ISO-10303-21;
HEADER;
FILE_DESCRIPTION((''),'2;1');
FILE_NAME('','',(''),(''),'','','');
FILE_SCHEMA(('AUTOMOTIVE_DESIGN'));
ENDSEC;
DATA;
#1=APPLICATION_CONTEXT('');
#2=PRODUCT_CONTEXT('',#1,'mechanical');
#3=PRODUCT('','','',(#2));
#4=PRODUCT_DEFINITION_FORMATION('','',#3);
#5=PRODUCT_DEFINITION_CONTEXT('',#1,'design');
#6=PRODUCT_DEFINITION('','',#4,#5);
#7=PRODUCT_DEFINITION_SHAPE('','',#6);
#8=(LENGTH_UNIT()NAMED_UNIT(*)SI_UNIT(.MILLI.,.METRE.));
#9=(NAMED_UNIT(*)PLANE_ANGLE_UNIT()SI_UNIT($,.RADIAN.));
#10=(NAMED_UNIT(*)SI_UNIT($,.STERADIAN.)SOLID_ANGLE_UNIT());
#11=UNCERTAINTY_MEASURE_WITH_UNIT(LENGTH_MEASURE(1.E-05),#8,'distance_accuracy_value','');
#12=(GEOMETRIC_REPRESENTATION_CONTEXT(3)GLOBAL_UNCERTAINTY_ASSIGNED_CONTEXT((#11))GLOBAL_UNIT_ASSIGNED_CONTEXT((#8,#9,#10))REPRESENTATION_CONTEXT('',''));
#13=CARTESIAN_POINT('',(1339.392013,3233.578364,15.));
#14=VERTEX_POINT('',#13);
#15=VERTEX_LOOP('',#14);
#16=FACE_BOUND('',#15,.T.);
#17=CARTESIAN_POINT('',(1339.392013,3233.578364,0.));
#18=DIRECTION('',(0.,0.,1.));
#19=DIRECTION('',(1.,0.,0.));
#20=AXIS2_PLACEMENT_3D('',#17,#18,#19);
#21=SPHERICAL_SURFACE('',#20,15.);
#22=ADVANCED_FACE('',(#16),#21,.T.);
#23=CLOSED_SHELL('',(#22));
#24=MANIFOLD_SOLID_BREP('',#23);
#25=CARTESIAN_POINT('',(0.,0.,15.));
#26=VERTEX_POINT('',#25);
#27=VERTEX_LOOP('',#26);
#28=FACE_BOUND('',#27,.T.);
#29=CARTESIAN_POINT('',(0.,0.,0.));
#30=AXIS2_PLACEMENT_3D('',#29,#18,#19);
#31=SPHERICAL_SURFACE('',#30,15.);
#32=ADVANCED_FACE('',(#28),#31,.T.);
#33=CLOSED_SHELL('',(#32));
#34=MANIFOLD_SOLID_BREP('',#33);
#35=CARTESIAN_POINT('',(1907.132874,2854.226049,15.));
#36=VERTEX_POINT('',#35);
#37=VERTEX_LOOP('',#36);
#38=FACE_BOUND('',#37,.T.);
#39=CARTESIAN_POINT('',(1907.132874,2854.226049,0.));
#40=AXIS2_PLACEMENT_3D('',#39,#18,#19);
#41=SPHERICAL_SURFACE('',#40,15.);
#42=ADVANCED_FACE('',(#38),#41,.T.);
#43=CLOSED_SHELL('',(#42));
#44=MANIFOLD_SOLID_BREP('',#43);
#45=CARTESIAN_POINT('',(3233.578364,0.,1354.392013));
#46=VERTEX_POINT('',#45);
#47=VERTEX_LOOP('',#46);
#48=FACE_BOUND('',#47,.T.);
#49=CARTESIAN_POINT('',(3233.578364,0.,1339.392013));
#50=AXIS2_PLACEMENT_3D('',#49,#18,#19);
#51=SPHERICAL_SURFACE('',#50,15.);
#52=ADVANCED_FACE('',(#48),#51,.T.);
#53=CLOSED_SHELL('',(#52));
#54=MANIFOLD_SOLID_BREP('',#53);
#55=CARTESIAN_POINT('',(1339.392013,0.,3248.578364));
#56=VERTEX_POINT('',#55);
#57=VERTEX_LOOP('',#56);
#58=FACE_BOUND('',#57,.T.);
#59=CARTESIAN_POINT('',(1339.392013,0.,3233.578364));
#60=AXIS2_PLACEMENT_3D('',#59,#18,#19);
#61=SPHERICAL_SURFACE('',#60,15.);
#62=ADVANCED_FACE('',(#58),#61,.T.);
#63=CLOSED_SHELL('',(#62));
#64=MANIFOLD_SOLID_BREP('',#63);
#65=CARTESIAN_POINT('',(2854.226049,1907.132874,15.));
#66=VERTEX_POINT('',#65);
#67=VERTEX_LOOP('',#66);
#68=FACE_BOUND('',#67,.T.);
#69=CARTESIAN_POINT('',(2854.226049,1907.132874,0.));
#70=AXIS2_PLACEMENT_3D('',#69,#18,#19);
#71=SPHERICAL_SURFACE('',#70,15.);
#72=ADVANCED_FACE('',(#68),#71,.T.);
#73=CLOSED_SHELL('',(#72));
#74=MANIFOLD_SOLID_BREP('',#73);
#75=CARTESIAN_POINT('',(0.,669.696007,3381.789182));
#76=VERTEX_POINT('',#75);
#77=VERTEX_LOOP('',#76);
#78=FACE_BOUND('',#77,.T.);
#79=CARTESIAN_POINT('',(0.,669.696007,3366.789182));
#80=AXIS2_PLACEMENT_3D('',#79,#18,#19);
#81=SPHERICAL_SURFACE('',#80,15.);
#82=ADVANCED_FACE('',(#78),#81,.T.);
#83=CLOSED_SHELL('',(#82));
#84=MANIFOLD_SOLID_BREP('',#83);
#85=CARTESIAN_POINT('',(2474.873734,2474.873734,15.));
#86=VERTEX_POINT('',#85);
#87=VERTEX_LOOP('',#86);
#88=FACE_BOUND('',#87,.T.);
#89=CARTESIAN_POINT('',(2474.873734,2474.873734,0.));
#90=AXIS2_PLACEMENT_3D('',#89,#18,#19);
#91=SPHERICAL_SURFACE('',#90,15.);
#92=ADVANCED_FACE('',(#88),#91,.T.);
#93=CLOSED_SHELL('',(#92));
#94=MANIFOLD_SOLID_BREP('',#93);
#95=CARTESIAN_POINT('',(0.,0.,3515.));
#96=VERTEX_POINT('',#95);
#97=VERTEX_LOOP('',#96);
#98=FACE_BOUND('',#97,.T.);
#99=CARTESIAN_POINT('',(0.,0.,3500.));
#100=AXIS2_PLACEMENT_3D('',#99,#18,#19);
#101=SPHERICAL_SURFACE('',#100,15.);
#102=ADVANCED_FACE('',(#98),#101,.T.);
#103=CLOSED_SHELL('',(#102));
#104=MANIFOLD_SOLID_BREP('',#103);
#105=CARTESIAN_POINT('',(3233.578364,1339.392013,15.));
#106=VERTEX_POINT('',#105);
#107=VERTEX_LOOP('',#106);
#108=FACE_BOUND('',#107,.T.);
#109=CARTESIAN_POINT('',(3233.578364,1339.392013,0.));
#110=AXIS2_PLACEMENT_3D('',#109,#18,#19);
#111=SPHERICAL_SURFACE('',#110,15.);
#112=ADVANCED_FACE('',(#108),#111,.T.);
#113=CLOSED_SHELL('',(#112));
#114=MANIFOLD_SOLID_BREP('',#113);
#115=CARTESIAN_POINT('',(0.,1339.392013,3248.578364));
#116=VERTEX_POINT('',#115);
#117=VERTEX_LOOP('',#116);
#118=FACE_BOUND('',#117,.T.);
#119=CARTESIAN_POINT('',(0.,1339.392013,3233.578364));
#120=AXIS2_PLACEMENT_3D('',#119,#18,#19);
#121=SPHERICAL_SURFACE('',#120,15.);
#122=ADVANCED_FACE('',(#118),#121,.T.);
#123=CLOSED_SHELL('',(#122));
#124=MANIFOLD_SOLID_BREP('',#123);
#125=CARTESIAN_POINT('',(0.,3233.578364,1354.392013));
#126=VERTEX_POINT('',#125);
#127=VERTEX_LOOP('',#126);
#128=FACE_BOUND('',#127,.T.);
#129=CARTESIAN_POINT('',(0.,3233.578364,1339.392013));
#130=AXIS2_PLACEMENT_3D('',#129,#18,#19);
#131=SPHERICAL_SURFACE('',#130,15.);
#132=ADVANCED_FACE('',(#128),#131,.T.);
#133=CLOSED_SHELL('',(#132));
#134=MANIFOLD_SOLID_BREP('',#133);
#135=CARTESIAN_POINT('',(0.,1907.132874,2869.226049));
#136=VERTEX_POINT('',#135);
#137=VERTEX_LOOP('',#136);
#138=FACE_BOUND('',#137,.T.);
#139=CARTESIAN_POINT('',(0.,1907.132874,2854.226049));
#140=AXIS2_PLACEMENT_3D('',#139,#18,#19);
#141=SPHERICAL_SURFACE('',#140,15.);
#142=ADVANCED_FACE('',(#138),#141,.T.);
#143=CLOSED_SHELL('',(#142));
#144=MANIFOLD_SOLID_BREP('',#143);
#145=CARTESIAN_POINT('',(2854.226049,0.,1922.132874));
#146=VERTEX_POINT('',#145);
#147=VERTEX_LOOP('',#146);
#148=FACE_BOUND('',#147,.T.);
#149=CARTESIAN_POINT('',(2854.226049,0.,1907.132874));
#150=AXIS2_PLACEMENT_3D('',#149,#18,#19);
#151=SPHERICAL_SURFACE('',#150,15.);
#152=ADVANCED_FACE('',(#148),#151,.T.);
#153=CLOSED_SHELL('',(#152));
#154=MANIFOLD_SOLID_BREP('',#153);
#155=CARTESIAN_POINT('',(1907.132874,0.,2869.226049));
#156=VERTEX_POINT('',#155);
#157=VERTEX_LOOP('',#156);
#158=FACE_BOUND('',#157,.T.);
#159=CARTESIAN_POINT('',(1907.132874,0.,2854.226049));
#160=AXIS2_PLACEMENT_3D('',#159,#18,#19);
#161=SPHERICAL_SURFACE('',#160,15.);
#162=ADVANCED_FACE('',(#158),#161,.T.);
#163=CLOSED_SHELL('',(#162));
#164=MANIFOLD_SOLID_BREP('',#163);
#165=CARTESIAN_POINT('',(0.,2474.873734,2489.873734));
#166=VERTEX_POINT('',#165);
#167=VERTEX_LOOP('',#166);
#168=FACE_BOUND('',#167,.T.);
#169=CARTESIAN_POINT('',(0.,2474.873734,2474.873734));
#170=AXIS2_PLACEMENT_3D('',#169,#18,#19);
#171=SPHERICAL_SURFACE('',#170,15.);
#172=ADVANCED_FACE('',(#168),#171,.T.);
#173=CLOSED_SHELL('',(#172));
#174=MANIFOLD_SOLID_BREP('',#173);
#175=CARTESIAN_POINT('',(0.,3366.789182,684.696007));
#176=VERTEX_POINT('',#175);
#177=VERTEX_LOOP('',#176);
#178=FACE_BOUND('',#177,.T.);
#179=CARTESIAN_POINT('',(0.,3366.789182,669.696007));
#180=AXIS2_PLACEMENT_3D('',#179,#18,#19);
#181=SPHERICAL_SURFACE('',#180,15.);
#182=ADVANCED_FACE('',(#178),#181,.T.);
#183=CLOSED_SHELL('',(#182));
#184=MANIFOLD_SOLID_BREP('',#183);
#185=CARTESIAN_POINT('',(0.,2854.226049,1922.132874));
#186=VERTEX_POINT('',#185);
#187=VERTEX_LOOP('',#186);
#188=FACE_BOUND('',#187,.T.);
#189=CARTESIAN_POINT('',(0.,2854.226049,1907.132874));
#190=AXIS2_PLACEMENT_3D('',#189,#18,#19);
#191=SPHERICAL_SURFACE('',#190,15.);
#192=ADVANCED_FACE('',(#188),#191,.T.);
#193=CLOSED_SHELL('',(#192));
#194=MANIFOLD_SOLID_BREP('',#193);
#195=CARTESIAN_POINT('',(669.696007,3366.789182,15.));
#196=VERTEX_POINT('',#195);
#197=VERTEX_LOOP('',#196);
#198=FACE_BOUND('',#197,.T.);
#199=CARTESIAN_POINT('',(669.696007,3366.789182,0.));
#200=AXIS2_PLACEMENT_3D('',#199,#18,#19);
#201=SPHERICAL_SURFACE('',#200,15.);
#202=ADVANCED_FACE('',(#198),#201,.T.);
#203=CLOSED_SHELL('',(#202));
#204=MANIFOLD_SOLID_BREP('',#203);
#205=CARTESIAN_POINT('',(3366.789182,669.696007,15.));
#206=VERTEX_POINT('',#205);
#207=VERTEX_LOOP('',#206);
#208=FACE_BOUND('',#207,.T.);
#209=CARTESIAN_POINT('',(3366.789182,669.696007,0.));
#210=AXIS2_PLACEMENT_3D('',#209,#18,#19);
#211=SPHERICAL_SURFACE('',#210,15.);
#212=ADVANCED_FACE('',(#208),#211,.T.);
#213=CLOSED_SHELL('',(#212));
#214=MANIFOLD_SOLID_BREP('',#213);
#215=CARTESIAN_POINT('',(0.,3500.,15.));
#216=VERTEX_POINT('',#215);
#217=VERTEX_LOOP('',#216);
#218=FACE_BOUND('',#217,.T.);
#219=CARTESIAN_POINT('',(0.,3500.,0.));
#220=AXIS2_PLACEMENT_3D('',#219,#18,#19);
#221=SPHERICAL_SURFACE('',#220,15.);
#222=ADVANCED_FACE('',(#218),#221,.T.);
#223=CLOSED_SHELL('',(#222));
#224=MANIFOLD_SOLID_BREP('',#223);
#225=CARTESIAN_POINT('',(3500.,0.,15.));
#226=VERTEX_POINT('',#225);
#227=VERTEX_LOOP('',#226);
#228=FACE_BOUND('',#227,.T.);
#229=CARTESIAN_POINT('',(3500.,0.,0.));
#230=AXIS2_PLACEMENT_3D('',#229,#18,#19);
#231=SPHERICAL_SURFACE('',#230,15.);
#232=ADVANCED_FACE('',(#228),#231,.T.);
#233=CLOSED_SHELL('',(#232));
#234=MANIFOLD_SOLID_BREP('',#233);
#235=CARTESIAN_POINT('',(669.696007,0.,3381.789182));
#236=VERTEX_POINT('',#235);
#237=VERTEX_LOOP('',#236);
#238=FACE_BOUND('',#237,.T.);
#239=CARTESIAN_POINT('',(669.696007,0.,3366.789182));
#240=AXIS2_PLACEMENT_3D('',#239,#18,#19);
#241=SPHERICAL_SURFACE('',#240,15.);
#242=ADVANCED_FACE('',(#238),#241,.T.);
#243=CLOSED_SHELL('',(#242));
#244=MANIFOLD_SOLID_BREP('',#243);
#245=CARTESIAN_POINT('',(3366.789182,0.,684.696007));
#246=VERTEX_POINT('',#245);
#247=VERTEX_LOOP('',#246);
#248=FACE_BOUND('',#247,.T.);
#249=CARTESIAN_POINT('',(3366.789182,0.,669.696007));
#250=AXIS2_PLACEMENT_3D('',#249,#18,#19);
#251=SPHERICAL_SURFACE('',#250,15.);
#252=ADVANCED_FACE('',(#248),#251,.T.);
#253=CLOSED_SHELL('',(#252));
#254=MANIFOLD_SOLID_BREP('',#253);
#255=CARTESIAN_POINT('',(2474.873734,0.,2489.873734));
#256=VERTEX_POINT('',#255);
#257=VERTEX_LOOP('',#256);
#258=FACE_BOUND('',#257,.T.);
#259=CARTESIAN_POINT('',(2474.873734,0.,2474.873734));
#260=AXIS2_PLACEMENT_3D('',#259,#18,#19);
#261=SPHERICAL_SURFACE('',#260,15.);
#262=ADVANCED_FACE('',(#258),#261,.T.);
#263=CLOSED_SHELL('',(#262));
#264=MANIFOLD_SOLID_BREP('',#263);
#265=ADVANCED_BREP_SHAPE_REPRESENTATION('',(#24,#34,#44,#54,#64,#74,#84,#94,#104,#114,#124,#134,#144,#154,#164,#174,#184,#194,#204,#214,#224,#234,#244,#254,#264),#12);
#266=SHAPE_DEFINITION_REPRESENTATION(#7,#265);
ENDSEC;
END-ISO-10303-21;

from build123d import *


with BuildPart() as sphere:
    # Sphere → Sphere (revolve)
    with BuildSketch(Plane(origin=(3500, 0, 0), x_dir=(1, 0, 0), z_dir=(0, -1, 0))):
        with BuildLine():
            ThreePointArc((0, -15), (15, 0), (0, 15))
            Line((0, 15), (0, -15))
        make_face()
    revolve(axis=Axis((3500, 0, 0), (0, 0, 1)))


with BuildPart() as sphere001:
    # Sphere001 → Sphere001 (revolve)
    with BuildSketch(Plane.XZ):
        with BuildLine():
            ThreePointArc((0, -15), (15, 0), (0, 15))
            Line((0, 15), (0, -15))
        make_face()
    revolve(axis=Axis((0, 0, 0), (0, 0, 1)))


with BuildPart() as sphere002:
    # Sphere002 → Sphere002 (revolve)
    with BuildSketch(Plane(origin=(0, 0, 3500), x_dir=(1, 0, 0), z_dir=(0, -1, 0))):
        with BuildLine():
            ThreePointArc((0, -15), (15, 0), (0, 15))
            Line((0, 15), (0, -15))
        make_face()
    revolve(axis=Axis((0, 0, 3500), (0, 0, 1)))


with BuildPart() as sphere003:
    # Sphere003 → Sphere003 (revolve)
    with BuildSketch(Plane(origin=(1339.392013, 0, 3233.578364), x_dir=(1, 0, 0), z_dir=(0, -1, 0))):
        with BuildLine():
            ThreePointArc((0, -15), (15, 0), (0, 15))
            Line((0, 15), (0, -15))
        make_face()
    revolve(axis=Axis((1339.392013, 0, 3233.578364), (0, 0, 1)))


with BuildPart() as sphere004:
    # Sphere004 → Sphere004 (revolve)
    with BuildSketch(Plane(origin=(2474.873734, 0, 2474.873734), x_dir=(1, 0, 0), z_dir=(0, -1, 0))):
        with BuildLine():
            ThreePointArc((0, -15), (15, 0), (0, 15))
            Line((0, 15), (0, -15))
        make_face()
    revolve(axis=Axis((2474.873734, 0, 2474.873734), (0, 0, 1)))


with BuildPart() as sphere005:
    # Sphere005 → Sphere005 (revolve)
    with BuildSketch(Plane(origin=(3233.578364, 0, 1339.392013), x_dir=(1, 0, 0), z_dir=(0, -1, 0))):
        with BuildLine():
            ThreePointArc((0, -15), (15, 0), (0, 15))
            Line((0, 15), (0, -15))
        make_face()
    revolve(axis=Axis((3233.578364, 0, 1339.392013), (0, 0, 1)))


with BuildPart() as sphere006:
    # Sphere006 → Sphere006 (revolve)
    with BuildSketch(Plane.XZ.offset(-3500)):
        with BuildLine():
            ThreePointArc((0, -15), (15, 0), (0, 15))
            Line((0, 15), (0, -15))
        make_face()
    revolve(axis=Axis((0, 3500, 0), (0, 0, 1)))


with BuildPart() as sphere007:
    # Sphere007 → Sphere007 (revolve)
    with BuildSketch(Plane(origin=(0, 3233.578364, 1339.392013), x_dir=(1, 0, 0), z_dir=(0, -1, 0))):
        with BuildLine():
            ThreePointArc((0, -15), (15, 0), (0, 15))
            Line((0, 15), (0, -15))
        make_face()
    revolve(axis=Axis((0, 3233.578364, 1339.392013), (0, 0, 1)))


with BuildPart() as sphere008:
    # Sphere008 → Sphere008 (revolve)
    with BuildSketch(Plane(origin=(0, 2474.873734, 2474.873734), x_dir=(1, 0, 0), z_dir=(0, -1, 0))):
        with BuildLine():
            ThreePointArc((0, -15), (15, 0), (0, 15))
            Line((0, 15), (0, -15))
        make_face()
    revolve(axis=Axis((0, 2474.873734, 2474.873734), (0, 0, 1)))


with BuildPart() as sphere009:
    # Sphere009 → Sphere009 (revolve)
    with BuildSketch(Plane(origin=(0, 1339.392013, 3233.578364), x_dir=(1, 0, 0), z_dir=(0, -1, 0))):
        with BuildLine():
            ThreePointArc((0, -15), (15, 0), (0, 15))
            Line((0, 15), (0, -15))
        make_face()
    revolve(axis=Axis((0, 1339.392013, 3233.578364), (0, 0, 1)))


with BuildPart() as sphere010:
    # Sphere010 → Sphere010 (revolve)
    with BuildSketch(Plane(origin=(1339.392013, 3233.578364, 0), x_dir=(1, 0, 0), z_dir=(0, -1, 0))):
        with BuildLine():
            ThreePointArc((0, -15), (15, 0), (0, 15))
            Line((0, 15), (0, -15))
        make_face()
    revolve(axis=Axis((1339.392013, 3233.578364, 0), (0, 0, 1)))


with BuildPart() as sphere011:
    # Sphere011 → Sphere011 (revolve)
    with BuildSketch(Plane(origin=(2474.873734, 2474.873734, 0), x_dir=(1, 0, 0), z_dir=(0, -1, 0))):
        with BuildLine():
            ThreePointArc((0, -15), (15, 0), (0, 15))
            Line((0, 15), (0, -15))
        make_face()
    revolve(axis=Axis((2474.873734, 2474.873734, 0), (0, 0, 1)))


with BuildPart() as sphere012:
    # Sphere012 → Sphere012 (revolve)
    with BuildSketch(Plane(origin=(3233.578364, 1339.392013, 0), x_dir=(1, 0, 0), z_dir=(0, -1, 0))):
        with BuildLine():
            ThreePointArc((0, -15), (15, 0), (0, 15))
            Line((0, 15), (0, -15))
        make_face()
    revolve(axis=Axis((3233.578364, 1339.392013, 0), (0, 0, 1)))


with BuildPart() as sphere013:
    # Sphere013 → Sphere013 (revolve)
    with BuildSketch(Plane(origin=(3366.789182, 669.696007, 0), x_dir=(1, 0, 0), z_dir=(0, -1, 0))):
        with BuildLine():
            ThreePointArc((0, -15), (15, 0), (0, 15))
            Line((0, 15), (0, -15))
        make_face()
    revolve(axis=Axis((3366.789182, 669.696007, 0), (0, 0, 1)))


with BuildPart() as sphere014:
    # Sphere014 → Sphere014 (revolve)
    with BuildSketch(Plane(origin=(2854.226049, 1907.132874, 0), x_dir=(1, 0, 0), z_dir=(0, -1, 0))):
        with BuildLine():
            ThreePointArc((0, -15), (15, 0), (0, 15))
            Line((0, 15), (0, -15))
        make_face()
    revolve(axis=Axis((2854.226049, 1907.132874, 0), (0, 0, 1)))


with BuildPart() as sphere015:
    # Sphere015 → Sphere015 (revolve)
    with BuildSketch(Plane(origin=(1907.132874, 2854.226049, 0), x_dir=(1, 0, 0), z_dir=(0, -1, 0))):
        with BuildLine():
            ThreePointArc((0, -15), (15, 0), (0, 15))
            Line((0, 15), (0, -15))
        make_face()
    revolve(axis=Axis((1907.132874, 2854.226049, 0), (0, 0, 1)))


with BuildPart() as sphere016:
    # Sphere016 → Sphere016 (revolve)
    with BuildSketch(Plane(origin=(669.696007, 3366.789182, 0), x_dir=(1, 0, 0), z_dir=(0, -1, 0))):
        with BuildLine():
            ThreePointArc((0, -15), (15, 0), (0, 15))
            Line((0, 15), (0, -15))
        make_face()
    revolve(axis=Axis((669.696007, 3366.789182, 0), (0, 0, 1)))


with BuildPart() as sphere017:
    # Sphere017 → Sphere017 (revolve)
    with BuildSketch(Plane(origin=(0, 3366.789182, 669.696007), x_dir=(1, 0, 0), z_dir=(0, -1, 0))):
        with BuildLine():
            ThreePointArc((0, -15), (15, 0), (0, 15))
            Line((0, 15), (0, -15))
        make_face()
    revolve(axis=Axis((0, 3366.789182, 669.696007), (0, 0, 1)))


with BuildPart() as sphere018:
    # Sphere018 → Sphere018 (revolve)
    with BuildSketch(Plane(origin=(0, 2854.226049, 1907.132874), x_dir=(1, 0, 0), z_dir=(0, -1, 0))):
        with BuildLine():
            ThreePointArc((0, -15), (15, 0), (0, 15))
            Line((0, 15), (0, -15))
        make_face()
    revolve(axis=Axis((0, 2854.226049, 1907.132874), (0, 0, 1)))


with BuildPart() as sphere019:
    # Sphere019 → Sphere019 (revolve)
    with BuildSketch(Plane(origin=(0, 1907.132874, 2854.226049), x_dir=(1, 0, 0), z_dir=(0, -1, 0))):
        with BuildLine():
            ThreePointArc((0, -15), (15, 0), (0, 15))
            Line((0, 15), (0, -15))
        make_face()
    revolve(axis=Axis((0, 1907.132874, 2854.226049), (0, 0, 1)))


with BuildPart() as sphere020:
    # Sphere020 → Sphere020 (revolve)
    with BuildSketch(Plane(origin=(0, 669.696007, 3366.789182), x_dir=(1, 0, 0), z_dir=(0, -1, 0))):
        with BuildLine():
            ThreePointArc((0, -15), (15, 0), (0, 15))
            Line((0, 15), (0, -15))
        make_face()
    revolve(axis=Axis((0, 669.696007, 3366.789182), (0, 0, 1)))


with BuildPart() as sphere021:
    # Sphere021 → Sphere021 (revolve)
    with BuildSketch(Plane(origin=(669.696007, 0, 3366.789182), x_dir=(1, 0, 0), z_dir=(0, -1, 0))):
        with BuildLine():
            ThreePointArc((0, -15), (15, 0), (0, 15))
            Line((0, 15), (0, -15))
        make_face()
    revolve(axis=Axis((669.696007, 0, 3366.789182), (0, 0, 1)))


with BuildPart() as sphere022:
    # Sphere022 → Sphere022 (revolve)
    with BuildSketch(Plane(origin=(1907.132874, 0, 2854.226049), x_dir=(1, 0, 0), z_dir=(0, -1, 0))):
        with BuildLine():
            ThreePointArc((0, -15), (15, 0), (0, 15))
            Line((0, 15), (0, -15))
        make_face()
    revolve(axis=Axis((1907.132874, 0, 2854.226049), (0, 0, 1)))


with BuildPart() as sphere023:
    # Sphere023 → Sphere023 (revolve)
    with BuildSketch(Plane(origin=(2854.226049, 0, 1907.132874), x_dir=(1, 0, 0), z_dir=(0, -1, 0))):
        with BuildLine():
            ThreePointArc((0, -15), (15, 0), (0, 15))
            Line((0, 15), (0, -15))
        make_face()
    revolve(axis=Axis((2854.226049, 0, 1907.132874), (0, 0, 1)))


with BuildPart() as sphere024:
    # Sphere024 → Sphere024 (revolve)
    with BuildSketch(Plane(origin=(3366.789182, 0, 669.696007), x_dir=(1, 0, 0), z_dir=(0, -1, 0))):
        with BuildLine():
            ThreePointArc((0, -15), (15, 0), (0, 15))
            Line((0, 15), (0, -15))
        make_face()
    revolve(axis=Axis((3366.789182, 0, 669.696007), (0, 0, 1)))


solid = Compound([sphere.part, sphere001.part, sphere002.part, sphere003.part, sphere004.part, sphere005.part, sphere006.part, sphere007.part, sphere008.part, sphere009.part, sphere010.part, sphere011.part, sphere012.part, sphere013.part, sphere014.part, sphere015.part, sphere016.part, sphere017.part, sphere018.part, sphere019.part, sphere020.part, sphere021.part, sphere022.part, sphere023.part, sphere024.part])
